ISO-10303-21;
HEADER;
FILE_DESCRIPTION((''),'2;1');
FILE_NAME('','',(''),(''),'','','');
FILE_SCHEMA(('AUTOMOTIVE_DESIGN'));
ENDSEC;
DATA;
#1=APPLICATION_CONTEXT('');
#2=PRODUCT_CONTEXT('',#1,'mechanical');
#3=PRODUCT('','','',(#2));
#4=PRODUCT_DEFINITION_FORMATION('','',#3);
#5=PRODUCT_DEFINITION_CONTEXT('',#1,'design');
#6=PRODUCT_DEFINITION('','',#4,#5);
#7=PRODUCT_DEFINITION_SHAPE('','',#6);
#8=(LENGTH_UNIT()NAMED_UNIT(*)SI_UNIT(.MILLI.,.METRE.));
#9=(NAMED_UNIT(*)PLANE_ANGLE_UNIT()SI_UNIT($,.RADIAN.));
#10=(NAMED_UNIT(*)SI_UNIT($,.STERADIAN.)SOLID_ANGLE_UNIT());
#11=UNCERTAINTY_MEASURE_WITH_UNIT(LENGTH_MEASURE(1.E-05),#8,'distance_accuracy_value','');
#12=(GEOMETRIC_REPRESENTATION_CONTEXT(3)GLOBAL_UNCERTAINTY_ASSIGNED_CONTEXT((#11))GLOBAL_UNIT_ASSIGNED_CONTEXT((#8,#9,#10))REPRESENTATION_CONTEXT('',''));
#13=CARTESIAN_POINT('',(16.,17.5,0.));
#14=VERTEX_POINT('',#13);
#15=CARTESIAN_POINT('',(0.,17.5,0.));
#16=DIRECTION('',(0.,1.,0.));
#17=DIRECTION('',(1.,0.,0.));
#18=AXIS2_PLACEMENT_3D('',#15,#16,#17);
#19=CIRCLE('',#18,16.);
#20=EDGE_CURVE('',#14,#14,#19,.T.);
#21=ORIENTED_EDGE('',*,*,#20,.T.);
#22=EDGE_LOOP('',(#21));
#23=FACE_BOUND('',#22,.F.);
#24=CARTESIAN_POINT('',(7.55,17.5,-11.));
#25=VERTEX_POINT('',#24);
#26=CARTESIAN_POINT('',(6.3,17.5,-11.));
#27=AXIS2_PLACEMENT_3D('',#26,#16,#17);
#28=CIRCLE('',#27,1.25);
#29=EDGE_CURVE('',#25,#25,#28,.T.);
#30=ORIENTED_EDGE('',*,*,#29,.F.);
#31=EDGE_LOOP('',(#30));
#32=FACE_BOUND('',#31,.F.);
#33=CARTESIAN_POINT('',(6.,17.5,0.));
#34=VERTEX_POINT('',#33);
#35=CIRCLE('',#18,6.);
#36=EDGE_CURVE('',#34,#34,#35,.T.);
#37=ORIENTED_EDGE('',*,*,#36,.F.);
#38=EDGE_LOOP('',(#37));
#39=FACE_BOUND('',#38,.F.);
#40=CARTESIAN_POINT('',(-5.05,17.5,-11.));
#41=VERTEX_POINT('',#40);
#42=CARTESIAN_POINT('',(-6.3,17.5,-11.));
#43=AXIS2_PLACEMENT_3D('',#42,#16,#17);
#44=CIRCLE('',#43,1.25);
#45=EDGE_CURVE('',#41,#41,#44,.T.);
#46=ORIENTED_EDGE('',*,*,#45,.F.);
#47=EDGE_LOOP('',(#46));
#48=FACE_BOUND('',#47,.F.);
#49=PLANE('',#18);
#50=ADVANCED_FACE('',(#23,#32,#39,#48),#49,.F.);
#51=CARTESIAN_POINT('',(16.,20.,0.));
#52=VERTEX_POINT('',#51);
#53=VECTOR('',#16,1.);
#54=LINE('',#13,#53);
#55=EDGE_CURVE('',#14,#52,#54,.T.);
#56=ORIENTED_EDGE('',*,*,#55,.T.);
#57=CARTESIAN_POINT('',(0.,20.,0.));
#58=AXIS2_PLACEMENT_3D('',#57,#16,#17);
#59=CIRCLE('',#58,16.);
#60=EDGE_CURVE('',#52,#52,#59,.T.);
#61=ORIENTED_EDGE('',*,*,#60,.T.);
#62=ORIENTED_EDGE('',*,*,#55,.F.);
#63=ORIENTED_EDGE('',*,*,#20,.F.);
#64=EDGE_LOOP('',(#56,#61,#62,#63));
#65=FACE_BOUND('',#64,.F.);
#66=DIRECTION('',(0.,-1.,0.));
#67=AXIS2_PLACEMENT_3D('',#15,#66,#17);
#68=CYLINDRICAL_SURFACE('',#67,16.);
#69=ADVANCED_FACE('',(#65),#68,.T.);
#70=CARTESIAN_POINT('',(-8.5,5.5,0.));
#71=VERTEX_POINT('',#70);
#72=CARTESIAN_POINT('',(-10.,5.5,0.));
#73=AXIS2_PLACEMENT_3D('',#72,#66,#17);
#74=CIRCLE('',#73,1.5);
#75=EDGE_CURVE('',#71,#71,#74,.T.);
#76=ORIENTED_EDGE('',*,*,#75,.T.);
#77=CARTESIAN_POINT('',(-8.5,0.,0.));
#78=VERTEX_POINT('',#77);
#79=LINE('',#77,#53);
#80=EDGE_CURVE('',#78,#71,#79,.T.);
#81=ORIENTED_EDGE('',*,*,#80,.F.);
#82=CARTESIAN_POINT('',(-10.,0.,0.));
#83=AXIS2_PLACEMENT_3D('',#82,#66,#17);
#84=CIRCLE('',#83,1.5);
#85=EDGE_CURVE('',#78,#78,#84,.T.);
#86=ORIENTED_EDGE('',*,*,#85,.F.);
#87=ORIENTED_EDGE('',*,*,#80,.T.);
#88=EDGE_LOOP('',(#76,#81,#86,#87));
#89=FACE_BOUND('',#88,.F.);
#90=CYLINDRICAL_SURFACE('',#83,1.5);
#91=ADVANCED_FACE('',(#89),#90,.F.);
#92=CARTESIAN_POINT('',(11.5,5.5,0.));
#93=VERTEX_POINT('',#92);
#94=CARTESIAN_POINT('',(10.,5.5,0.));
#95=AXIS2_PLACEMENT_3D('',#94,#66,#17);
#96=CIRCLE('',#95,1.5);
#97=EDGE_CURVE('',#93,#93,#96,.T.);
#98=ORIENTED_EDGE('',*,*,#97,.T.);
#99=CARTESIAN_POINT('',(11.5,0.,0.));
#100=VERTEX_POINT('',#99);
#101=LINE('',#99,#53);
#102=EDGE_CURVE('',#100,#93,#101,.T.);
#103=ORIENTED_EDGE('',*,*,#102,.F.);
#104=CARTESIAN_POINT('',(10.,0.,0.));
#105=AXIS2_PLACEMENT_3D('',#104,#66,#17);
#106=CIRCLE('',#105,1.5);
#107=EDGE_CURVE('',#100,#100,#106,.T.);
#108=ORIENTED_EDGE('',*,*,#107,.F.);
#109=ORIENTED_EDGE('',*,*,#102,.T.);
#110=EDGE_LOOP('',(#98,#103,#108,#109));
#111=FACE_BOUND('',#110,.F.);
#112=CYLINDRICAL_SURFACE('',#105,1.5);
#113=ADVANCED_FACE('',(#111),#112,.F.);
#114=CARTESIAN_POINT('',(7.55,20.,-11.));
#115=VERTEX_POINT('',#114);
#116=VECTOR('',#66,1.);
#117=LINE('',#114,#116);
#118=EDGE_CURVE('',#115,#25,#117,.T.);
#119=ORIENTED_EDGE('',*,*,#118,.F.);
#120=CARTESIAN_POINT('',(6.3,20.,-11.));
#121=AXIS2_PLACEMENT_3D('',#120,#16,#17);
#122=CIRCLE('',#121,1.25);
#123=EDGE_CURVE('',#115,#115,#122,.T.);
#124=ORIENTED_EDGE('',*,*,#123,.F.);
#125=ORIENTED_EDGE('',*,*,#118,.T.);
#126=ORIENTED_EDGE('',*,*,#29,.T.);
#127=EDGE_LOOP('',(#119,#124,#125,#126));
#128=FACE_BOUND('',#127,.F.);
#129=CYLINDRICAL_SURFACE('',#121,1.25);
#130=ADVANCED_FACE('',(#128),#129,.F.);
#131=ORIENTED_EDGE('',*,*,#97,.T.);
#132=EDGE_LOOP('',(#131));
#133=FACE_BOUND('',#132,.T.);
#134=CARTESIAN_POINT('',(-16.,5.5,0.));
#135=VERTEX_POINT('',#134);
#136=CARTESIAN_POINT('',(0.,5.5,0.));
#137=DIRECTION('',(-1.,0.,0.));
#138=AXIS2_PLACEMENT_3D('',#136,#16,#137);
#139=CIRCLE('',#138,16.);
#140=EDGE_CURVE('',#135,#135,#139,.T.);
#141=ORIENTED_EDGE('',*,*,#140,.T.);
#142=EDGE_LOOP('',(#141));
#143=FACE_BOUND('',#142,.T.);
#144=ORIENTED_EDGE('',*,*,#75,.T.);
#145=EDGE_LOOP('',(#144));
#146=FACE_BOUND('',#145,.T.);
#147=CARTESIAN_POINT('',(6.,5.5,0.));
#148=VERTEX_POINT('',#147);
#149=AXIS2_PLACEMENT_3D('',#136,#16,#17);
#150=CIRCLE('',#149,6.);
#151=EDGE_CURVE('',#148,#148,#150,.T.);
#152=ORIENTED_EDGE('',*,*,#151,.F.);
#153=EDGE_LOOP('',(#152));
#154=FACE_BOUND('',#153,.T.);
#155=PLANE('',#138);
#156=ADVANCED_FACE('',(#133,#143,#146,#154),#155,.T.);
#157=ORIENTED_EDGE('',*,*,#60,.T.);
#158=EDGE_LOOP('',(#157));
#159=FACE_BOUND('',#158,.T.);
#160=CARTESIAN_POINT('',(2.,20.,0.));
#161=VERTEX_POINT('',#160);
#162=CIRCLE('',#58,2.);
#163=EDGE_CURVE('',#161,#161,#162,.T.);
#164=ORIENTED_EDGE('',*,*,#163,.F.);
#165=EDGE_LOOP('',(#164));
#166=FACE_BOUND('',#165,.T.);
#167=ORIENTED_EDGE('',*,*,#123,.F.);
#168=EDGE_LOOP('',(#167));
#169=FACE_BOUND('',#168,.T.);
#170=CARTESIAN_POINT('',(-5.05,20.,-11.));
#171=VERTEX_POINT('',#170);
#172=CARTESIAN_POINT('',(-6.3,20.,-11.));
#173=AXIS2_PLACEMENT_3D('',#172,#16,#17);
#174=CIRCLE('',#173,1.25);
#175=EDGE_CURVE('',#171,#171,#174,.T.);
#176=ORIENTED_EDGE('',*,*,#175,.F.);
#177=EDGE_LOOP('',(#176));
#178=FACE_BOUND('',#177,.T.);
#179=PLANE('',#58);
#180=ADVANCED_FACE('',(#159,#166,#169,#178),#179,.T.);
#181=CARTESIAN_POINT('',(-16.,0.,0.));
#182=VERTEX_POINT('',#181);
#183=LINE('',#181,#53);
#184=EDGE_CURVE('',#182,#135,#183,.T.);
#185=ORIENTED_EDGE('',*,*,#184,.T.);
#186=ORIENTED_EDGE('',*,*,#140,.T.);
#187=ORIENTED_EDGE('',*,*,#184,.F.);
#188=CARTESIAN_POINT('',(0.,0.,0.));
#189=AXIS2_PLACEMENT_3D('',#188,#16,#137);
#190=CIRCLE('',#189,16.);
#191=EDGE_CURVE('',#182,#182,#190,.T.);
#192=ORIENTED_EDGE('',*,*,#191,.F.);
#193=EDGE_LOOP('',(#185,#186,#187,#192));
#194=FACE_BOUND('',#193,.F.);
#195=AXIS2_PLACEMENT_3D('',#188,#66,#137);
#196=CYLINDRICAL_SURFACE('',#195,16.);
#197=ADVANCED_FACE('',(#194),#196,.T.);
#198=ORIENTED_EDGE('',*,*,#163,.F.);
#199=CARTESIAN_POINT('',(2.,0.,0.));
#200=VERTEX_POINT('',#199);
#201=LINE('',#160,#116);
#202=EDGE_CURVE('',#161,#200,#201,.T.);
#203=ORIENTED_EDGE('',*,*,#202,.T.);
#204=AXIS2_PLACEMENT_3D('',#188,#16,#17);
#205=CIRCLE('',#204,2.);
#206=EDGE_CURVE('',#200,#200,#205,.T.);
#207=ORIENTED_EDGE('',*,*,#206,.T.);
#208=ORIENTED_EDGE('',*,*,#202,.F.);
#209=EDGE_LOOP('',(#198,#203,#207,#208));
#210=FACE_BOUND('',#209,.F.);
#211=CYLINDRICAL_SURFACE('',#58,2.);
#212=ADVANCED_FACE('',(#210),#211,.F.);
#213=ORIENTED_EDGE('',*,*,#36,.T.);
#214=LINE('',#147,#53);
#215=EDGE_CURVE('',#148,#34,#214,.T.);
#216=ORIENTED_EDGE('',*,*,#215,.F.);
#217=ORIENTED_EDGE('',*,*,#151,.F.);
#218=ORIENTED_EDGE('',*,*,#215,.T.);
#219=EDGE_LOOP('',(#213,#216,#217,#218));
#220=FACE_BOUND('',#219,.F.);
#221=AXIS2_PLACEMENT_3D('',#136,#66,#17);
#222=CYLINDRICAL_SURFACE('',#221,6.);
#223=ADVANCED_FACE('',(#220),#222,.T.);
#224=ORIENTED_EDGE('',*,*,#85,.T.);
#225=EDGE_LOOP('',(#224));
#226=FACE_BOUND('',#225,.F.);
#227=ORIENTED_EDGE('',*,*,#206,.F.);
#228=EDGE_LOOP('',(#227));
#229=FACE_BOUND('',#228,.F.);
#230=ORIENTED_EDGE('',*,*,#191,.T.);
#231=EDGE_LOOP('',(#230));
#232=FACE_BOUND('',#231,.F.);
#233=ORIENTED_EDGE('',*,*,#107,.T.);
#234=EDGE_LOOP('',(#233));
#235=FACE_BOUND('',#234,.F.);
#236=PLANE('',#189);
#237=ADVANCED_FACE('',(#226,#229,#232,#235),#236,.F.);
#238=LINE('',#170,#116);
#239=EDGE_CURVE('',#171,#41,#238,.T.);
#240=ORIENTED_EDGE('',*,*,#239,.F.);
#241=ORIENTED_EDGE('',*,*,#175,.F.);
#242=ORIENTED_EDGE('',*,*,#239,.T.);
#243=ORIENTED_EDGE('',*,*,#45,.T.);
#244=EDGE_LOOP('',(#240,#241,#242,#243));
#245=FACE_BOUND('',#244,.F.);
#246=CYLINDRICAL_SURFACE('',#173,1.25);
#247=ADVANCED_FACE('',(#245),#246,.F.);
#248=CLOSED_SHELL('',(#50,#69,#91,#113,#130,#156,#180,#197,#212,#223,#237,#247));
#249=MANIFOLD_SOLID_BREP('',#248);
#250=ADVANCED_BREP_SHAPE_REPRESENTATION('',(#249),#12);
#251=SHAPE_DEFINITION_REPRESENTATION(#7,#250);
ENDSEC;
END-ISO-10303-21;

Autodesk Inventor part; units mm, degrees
ref_plane "YZ Plane" through (0, 0, 0) normal (1, 0, 0) x (0, 1, 0)
ref_plane "XZ Plane" through (0, 0, 0) normal (0, 1, 0) x (-1, 0, 0)
ref_plane "XY Plane" through (0, 0, 0) normal (0, 0, 1) x (1, 0, 0)
sketch "Esquisse1" plane through (0, 0, 0) normal (0, 1, 0) x (-1, 0, 0)
  circle A0 centre (0, 0) radius 16
  dimension "D" = 32
extrude "Extrusion1" add sketch "Esquisse1" along normal blind 5.5
sketch "Esquisse2" plane through (0, 5.5, 0) normal (0, 1, 0) x (1, 0, 0)
  circle A0 centre (0, 0) radius 16 projected
  circle A1 centre (0, 0) radius 6
  dimension "d3" = 12
extrude "Extrusion2" add sketch "Esquisse2" along normal blind 12 contours A1
sketch "Esquisse4" plane through (0, 17.5, 0) normal (0, 1, 0) x (1, 0, 0)
  circle A0 centre (0, 0) radius 6 projected
  circle A1 centre (0, 0) radius 16
  dimension "d8" = 32
extrude "Extrusion4" add sketch "Esquisse4" along normal blind 2.5 contours A0 | A1
sketch "Esquisse5" plane through (0, 20, 0) normal (0, 1, 0) x (1, 0, 0)
  circle A0 centre (0, 0) radius 16 projected
  circle A1 centre (0, 0) radius 2
  dimension "P" = 4
extrude "Extrusion5" cut sketch "Esquisse5" against normal through all contours A1
sketch "Esquisse6" plane through (0, 0, 0) normal (0, -1, 0) x (1, 0, 0)
  circle A0 centre (0, 0) radius 2 projected
  circle A1 centre (-10, 0) radius 1.5
  circle A2 centre (10, 0) radius 1.5
  dimension "p2" = 3
  dimension "d15" = 3
  dimension "d16" = 20
  dimension "d17" = 10
extrude "Extrusion6" cut sketch "Esquisse6" against normal blind 5.5 contours A1 | A2
sketch "Esquisse7" plane through (0, 20, 0) normal (0, 1, 0) x (1, 0, 0)
  circle A0 centre (0, 0) radius 2 projected
  circle A1 centre (-6.3, 11) radius 1.25
  circle A2 centre (6.3, 11) radius 1.25
  dimension "e" = 2.5
  dimension "d21" = 12.6
  dimension "d22" = 6.3
  dimension "d23" = 11
  dimension "d24" = 2.5
  dimension "d25" = 11
extrude "Extrusion7" cut sketch "Esquisse7" against normal blind 2.5 contours A1 | A2
equation "\"d8\" = D"
equation "\"d15\" = p2"
equation "\"d17\" = 0.5 * d16"
equation "\"d18\" = d1"
equation "\"d22\" = 0.5 * d21"
equation "\"d24\" = e"
equation "\"d25\" = d23"
equation "\"d1\" = 5.5"
properties part number "Girouette" material "Plastique ABS"
